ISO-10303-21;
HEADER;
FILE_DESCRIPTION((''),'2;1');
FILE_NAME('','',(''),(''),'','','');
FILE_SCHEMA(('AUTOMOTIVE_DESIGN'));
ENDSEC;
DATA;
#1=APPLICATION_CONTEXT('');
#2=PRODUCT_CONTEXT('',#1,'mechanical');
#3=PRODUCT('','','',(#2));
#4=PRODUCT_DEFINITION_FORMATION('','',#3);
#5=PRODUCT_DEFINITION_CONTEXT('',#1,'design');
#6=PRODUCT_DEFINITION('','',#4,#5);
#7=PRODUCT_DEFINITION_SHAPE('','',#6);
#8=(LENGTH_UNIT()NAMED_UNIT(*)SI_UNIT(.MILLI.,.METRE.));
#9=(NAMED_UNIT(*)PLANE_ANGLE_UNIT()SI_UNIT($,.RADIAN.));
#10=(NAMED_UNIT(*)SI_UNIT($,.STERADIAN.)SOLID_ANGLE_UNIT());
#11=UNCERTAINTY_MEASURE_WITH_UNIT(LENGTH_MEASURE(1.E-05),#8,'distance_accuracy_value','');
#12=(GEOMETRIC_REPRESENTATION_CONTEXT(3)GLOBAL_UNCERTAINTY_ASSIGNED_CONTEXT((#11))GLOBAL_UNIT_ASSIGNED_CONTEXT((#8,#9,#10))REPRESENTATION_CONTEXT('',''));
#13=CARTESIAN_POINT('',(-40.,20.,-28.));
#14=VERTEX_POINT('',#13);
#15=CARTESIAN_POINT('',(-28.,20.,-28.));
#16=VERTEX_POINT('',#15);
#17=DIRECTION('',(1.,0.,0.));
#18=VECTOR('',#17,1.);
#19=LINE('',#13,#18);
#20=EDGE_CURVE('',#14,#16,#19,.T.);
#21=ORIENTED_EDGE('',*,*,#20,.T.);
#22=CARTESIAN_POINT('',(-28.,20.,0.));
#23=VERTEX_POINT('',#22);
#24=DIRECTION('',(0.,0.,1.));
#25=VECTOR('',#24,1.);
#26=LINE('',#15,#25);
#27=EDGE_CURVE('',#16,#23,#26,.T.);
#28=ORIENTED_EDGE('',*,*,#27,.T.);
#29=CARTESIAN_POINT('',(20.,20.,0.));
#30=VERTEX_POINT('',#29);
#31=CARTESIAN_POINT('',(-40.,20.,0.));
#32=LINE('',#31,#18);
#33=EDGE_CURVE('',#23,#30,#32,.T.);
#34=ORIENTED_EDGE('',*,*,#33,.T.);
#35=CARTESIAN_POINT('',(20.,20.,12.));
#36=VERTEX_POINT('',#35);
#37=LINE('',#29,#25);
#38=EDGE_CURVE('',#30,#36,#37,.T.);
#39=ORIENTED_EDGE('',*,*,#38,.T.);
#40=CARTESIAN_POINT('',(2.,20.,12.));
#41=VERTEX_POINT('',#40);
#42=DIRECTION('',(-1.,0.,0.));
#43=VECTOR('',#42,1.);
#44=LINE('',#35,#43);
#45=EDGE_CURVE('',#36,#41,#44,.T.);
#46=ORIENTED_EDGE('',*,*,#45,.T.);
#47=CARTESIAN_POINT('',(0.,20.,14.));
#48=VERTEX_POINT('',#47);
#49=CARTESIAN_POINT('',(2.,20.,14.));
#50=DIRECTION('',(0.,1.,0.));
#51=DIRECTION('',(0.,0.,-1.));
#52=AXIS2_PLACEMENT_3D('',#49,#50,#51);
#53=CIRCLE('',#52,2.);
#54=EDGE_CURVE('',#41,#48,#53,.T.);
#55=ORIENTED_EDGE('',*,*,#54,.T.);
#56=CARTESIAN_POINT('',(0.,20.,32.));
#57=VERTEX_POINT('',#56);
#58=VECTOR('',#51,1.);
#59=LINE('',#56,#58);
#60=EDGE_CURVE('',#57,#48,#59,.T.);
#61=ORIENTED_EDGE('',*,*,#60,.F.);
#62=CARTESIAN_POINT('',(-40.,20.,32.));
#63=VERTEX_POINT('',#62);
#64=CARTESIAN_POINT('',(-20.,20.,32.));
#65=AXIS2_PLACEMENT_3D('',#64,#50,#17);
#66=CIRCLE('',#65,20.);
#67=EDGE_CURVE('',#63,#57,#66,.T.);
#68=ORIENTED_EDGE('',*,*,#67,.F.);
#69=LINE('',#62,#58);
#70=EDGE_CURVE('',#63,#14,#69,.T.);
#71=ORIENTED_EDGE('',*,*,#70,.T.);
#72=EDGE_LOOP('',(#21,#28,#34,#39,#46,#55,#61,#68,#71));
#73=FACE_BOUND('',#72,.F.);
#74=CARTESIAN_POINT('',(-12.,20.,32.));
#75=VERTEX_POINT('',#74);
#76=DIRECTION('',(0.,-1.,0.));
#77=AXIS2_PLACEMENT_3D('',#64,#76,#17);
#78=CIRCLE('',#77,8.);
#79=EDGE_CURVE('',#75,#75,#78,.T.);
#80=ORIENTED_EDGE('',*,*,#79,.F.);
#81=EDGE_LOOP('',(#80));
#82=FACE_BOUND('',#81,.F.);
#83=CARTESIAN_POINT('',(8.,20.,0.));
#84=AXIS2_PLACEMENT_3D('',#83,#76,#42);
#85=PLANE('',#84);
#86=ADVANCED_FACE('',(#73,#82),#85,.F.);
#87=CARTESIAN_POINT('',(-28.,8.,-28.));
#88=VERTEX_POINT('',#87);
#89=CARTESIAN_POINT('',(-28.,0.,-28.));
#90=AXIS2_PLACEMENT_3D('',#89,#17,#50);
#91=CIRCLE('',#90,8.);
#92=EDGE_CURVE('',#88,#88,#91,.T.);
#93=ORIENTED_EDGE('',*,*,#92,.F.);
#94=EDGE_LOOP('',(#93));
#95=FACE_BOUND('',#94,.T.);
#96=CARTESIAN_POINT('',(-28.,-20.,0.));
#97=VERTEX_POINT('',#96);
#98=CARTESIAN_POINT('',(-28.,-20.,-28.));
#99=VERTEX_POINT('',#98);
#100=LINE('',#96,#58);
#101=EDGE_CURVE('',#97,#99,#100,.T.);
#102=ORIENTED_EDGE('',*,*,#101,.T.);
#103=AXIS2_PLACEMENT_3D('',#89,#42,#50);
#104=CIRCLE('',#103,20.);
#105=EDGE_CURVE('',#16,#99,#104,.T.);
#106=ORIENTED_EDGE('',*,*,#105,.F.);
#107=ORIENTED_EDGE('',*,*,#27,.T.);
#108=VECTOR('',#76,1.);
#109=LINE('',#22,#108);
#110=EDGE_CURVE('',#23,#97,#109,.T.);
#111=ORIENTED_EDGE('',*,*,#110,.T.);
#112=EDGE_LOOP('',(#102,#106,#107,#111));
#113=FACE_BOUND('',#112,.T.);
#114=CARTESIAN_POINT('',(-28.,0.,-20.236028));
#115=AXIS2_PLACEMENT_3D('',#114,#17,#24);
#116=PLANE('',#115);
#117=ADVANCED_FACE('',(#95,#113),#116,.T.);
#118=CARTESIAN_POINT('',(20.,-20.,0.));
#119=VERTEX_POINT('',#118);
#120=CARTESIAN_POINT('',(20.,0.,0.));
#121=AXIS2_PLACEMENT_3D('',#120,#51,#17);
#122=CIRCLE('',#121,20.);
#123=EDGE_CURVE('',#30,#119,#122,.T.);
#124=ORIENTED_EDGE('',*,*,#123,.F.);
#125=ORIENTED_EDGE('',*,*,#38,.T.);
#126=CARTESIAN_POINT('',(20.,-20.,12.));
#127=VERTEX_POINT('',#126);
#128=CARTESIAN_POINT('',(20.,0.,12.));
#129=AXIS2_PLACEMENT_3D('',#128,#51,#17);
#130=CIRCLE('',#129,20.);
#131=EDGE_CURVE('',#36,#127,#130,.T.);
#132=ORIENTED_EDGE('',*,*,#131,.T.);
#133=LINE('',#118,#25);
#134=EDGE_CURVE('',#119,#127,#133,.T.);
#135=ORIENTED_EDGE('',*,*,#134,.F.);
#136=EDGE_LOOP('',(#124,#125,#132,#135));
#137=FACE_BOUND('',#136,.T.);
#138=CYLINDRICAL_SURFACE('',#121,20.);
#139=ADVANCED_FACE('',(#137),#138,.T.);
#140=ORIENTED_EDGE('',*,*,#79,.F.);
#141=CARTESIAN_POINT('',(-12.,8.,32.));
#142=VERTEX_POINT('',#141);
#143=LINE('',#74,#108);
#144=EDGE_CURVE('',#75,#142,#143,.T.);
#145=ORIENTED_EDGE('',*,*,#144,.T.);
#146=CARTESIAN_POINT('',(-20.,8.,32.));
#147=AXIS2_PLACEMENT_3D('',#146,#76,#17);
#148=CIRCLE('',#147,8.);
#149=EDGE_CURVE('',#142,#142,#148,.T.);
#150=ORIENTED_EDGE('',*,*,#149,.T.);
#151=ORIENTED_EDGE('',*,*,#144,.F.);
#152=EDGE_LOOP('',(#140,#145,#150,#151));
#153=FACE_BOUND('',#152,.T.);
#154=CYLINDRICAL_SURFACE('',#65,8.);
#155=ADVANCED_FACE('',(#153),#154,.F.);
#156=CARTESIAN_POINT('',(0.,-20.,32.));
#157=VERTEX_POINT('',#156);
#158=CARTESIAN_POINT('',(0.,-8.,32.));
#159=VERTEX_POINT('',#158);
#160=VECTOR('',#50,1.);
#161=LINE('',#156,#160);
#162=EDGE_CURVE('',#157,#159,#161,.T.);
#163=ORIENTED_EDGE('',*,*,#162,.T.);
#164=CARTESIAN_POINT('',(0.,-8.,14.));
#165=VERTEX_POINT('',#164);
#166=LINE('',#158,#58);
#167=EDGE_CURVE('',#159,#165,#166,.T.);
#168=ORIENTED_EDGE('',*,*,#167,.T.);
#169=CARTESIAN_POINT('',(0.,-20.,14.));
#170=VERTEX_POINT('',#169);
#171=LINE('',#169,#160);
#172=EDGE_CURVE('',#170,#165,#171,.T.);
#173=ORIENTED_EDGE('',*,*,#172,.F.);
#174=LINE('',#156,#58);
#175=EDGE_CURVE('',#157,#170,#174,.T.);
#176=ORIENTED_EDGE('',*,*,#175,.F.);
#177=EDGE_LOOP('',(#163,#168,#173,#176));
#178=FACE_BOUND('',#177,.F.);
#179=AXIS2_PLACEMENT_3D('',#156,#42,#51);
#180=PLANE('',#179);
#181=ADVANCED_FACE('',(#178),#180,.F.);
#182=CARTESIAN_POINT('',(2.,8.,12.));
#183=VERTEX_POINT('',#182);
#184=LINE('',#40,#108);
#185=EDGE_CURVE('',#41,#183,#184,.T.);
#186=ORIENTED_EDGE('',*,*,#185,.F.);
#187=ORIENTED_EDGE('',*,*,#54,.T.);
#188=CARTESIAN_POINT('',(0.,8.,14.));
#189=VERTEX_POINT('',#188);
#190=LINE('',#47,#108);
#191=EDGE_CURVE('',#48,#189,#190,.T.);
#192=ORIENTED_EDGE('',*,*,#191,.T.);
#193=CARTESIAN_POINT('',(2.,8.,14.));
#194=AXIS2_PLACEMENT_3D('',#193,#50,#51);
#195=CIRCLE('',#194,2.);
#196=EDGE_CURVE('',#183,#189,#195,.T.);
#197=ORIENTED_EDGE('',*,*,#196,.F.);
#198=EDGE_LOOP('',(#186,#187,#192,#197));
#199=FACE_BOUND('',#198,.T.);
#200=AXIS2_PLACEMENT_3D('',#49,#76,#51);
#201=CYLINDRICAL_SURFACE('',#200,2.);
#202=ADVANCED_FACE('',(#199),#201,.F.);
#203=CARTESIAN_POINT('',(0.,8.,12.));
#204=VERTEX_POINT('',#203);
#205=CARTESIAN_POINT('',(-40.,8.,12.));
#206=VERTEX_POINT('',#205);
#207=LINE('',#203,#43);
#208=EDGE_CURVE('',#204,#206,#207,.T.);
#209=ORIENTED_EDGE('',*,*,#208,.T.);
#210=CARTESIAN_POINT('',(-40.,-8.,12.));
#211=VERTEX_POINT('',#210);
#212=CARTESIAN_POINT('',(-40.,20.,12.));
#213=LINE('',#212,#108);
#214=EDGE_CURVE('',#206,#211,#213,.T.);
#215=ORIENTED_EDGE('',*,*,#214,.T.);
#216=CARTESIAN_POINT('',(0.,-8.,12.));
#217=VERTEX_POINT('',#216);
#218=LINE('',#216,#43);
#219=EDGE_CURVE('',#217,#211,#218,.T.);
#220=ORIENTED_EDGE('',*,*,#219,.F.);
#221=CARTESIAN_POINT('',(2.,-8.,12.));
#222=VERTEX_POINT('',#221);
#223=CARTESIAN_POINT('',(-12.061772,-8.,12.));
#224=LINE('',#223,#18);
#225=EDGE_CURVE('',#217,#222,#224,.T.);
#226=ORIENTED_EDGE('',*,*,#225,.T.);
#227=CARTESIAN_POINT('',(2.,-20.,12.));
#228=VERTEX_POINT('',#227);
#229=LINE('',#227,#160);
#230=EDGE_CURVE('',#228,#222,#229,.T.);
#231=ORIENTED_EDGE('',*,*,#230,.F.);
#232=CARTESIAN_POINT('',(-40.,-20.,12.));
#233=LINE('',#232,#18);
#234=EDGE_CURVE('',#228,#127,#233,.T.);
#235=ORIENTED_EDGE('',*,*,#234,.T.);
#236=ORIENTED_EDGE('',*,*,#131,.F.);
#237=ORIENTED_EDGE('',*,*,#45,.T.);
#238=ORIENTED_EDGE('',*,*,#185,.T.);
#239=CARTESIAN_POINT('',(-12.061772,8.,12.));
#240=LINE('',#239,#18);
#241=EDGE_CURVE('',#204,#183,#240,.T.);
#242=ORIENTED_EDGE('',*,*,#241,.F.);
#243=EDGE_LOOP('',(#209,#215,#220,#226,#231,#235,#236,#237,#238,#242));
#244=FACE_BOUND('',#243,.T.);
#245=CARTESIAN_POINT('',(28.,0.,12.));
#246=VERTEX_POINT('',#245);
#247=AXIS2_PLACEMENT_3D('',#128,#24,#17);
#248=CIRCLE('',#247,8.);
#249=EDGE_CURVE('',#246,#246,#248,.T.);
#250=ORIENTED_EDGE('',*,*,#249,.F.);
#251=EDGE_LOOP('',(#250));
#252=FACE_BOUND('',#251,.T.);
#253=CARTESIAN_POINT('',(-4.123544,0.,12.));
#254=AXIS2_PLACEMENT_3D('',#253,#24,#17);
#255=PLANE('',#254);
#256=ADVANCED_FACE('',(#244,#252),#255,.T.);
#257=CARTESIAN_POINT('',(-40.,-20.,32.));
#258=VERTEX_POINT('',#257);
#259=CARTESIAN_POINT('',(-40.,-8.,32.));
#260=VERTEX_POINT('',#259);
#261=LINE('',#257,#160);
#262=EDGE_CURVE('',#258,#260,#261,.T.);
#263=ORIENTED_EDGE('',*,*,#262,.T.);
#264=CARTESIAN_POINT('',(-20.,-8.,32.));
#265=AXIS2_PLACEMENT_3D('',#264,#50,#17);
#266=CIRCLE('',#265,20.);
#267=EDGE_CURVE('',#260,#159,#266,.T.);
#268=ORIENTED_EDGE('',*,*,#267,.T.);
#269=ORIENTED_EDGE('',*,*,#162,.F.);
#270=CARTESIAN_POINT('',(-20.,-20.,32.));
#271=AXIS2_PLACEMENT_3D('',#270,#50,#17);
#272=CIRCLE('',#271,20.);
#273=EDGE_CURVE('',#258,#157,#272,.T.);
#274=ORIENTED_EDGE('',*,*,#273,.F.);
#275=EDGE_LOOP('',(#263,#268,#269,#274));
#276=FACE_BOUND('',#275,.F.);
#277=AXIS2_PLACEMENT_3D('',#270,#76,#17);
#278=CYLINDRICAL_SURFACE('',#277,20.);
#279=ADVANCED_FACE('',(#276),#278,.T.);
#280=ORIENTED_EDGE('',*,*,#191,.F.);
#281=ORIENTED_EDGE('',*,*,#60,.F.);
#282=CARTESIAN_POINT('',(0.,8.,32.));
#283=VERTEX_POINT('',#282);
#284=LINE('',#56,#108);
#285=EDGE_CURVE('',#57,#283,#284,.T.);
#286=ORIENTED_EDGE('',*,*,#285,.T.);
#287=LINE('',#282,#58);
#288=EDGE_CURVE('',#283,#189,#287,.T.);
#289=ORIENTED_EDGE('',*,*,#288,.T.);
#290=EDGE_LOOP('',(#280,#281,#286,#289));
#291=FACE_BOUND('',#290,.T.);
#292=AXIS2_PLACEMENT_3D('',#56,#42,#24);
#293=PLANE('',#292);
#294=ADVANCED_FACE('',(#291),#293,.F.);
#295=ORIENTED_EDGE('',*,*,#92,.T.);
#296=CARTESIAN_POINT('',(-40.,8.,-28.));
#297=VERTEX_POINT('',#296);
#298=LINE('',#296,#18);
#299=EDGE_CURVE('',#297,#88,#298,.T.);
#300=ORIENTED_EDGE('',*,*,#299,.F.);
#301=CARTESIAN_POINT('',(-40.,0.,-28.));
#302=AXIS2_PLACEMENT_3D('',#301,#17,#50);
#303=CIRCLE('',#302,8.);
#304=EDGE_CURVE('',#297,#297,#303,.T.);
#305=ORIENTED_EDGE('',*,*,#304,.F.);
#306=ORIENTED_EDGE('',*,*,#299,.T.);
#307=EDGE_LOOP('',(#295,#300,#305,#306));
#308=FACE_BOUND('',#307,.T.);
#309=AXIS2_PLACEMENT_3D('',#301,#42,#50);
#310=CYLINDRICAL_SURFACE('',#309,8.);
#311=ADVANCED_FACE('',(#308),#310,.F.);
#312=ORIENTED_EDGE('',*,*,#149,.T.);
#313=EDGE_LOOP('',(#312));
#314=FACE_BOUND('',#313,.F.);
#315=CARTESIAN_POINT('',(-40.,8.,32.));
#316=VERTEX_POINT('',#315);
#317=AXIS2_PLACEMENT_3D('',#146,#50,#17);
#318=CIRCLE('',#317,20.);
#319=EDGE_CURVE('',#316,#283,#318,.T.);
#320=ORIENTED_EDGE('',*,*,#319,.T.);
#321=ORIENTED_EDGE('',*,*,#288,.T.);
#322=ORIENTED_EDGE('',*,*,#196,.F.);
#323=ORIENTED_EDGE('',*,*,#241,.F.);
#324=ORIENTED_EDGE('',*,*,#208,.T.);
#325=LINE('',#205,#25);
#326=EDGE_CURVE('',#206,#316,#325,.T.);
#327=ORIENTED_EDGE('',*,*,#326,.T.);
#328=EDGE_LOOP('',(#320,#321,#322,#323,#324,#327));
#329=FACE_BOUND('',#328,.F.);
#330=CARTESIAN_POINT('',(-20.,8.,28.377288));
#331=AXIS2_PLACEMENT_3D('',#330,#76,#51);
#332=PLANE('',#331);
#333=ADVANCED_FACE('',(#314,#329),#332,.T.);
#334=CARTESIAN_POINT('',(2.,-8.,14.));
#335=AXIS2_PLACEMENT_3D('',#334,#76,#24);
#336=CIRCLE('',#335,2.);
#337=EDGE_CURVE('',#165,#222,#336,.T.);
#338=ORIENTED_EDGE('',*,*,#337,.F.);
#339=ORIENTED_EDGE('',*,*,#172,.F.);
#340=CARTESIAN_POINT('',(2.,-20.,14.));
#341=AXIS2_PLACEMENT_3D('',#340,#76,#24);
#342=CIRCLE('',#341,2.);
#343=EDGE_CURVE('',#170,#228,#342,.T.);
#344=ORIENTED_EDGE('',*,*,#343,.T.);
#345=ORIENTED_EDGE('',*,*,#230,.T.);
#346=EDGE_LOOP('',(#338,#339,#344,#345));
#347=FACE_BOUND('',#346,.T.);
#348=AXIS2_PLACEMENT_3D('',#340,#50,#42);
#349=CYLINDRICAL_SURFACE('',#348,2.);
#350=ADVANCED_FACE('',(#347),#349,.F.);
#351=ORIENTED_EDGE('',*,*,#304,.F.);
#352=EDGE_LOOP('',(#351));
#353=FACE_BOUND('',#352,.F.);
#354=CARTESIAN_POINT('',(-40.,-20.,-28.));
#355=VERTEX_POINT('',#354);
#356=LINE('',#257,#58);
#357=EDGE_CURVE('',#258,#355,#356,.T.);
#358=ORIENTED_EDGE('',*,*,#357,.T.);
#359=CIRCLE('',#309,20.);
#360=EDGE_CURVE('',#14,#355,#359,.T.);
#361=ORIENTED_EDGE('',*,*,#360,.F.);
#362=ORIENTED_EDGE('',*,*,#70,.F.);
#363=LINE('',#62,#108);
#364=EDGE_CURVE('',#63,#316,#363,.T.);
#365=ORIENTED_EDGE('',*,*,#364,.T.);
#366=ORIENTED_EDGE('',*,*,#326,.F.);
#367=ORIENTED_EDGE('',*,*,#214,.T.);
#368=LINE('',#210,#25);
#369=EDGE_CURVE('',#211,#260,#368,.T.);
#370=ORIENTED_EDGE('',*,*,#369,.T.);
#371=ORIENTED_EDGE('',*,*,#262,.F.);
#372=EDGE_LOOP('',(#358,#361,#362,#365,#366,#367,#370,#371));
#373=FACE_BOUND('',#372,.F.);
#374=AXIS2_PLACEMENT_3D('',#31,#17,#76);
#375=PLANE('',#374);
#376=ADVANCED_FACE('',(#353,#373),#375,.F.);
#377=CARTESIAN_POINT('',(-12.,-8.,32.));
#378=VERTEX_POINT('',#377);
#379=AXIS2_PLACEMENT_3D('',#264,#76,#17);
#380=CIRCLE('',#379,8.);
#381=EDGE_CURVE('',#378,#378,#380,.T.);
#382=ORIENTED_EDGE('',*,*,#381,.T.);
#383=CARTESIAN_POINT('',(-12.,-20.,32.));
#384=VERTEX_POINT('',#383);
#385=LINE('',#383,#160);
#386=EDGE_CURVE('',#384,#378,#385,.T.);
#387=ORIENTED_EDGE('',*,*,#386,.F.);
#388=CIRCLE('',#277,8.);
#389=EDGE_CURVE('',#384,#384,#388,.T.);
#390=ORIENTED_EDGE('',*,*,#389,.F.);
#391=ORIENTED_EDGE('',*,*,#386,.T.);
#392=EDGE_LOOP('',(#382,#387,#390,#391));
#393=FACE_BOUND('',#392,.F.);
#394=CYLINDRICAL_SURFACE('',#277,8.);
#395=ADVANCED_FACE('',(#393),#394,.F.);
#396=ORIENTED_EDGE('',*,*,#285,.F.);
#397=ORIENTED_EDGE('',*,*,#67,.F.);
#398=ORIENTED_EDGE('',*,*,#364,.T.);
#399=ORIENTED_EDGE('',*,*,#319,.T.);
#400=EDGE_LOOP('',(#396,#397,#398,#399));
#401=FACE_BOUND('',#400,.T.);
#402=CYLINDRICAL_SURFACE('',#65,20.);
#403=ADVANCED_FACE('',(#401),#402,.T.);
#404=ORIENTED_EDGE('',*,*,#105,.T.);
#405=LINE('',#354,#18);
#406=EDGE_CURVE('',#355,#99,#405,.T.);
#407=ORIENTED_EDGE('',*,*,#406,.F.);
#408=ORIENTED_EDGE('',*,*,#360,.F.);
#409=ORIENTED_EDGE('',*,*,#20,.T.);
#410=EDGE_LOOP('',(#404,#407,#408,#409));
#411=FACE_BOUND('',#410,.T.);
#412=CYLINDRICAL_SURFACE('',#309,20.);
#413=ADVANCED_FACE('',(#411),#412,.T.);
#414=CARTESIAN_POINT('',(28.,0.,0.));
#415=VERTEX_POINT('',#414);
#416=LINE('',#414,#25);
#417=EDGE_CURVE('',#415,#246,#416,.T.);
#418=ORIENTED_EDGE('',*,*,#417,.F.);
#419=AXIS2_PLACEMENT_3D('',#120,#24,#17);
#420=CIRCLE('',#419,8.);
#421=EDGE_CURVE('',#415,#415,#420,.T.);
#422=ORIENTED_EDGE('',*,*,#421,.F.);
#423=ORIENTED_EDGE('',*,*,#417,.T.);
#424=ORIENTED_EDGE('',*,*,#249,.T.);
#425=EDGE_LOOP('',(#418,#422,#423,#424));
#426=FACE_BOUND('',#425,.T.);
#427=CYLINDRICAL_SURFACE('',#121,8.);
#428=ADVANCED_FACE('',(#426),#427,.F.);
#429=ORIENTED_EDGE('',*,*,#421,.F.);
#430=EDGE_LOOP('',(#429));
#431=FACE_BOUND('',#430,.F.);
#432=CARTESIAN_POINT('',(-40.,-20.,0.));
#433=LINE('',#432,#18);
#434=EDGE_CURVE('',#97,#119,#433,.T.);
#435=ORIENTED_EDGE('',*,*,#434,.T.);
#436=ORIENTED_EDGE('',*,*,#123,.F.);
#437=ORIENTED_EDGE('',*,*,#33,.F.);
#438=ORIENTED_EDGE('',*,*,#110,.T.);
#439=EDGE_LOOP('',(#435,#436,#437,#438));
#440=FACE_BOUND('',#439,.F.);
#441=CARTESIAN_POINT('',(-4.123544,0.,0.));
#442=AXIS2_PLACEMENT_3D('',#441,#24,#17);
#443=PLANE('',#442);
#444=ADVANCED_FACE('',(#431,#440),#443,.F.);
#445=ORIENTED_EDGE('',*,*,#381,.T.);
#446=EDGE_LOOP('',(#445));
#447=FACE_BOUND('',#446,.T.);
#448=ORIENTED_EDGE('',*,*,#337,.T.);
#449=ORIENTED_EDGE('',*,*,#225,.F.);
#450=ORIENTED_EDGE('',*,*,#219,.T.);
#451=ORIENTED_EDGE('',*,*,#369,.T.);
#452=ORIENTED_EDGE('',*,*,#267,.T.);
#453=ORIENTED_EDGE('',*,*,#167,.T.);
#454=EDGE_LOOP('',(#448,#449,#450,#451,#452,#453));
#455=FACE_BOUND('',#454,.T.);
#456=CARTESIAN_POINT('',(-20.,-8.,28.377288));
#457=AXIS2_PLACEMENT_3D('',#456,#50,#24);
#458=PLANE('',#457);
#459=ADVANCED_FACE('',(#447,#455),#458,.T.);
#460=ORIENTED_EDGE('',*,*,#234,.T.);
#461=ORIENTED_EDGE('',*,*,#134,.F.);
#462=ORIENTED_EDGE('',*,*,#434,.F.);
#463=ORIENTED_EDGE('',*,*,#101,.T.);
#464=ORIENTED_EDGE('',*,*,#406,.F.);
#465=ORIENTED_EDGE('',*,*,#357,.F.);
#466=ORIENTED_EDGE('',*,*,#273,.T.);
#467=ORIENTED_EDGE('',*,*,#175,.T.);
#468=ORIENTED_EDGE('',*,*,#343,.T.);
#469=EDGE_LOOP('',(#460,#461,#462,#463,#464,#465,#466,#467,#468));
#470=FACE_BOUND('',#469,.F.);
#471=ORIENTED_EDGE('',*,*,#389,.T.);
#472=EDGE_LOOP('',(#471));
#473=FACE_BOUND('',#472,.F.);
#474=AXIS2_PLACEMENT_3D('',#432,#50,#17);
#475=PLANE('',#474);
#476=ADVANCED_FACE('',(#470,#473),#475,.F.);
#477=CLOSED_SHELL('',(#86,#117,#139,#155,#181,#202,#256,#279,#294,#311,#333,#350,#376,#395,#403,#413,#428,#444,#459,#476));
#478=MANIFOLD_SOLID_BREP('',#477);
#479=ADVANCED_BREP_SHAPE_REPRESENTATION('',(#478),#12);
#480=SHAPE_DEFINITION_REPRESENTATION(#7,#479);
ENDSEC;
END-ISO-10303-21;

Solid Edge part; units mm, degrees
sketch "Sketch1" plane through (0, 0, 0) normal (0, 0, 1) x (1, 0, 0)
  line L0 (-40, -20) -> (20, -20)
  line L1 (-40, 20) -> (-40, -20)
  line L2 (8, 20) -> (-40, 20)
  line L3 (20, 20) -> (8, 20)
  arc A0 (20, 20) -> (20, -20) centre (20, 0) cw
  circle A1 centre (20, 0) radius 8
extrude "ExtrudedProtrusion_1" add sketch "Sketch1" along normal blind 12
sketch "Sketch2" plane through (0, -20, 0) normal (0, -1, 0) x (1, 0, 0)
  line L0 (0, 32) -> (0, 12)
  line L1 (0, 12) -> (-40, 12)
  line L2 (-40, 12) -> (-40, 32)
  arc A0 (-40, 32) -> (0, 32) centre (-20, 32) cw
  circle A1 centre (-20, 32) radius 8
extrude "ExtrudedProtrusion_2" add sketch "Sketch2" against normal blind 12
mirror "Mirror1" about plane through (0, 0, 0) normal (0, -1, 0) of "ExtrudedProtrusion_2"
sketch "Sketch3" plane through (-40, 0, 0) normal (1, 0, 0) x (0, 1, 0)
  line L0 (-20, 0) -> (-20, -28)
  line L1 (20, -28) -> (20, 0)
  line L2 (20, 0) -> (-20, 0)
  arc A0 (20, -28) -> (-20, -28) centre (0, -28) cw
  circle A1 centre (0, -28) radius 8
extrude "ExtrudedProtrusion_4" add sketch "Sketch3" along normal blind 12
fillet "Round_2" radius 2 1 edges at (0, -14, 12)
fillet "Round_3" radius 2 1 edges at (0, 14, 12)
